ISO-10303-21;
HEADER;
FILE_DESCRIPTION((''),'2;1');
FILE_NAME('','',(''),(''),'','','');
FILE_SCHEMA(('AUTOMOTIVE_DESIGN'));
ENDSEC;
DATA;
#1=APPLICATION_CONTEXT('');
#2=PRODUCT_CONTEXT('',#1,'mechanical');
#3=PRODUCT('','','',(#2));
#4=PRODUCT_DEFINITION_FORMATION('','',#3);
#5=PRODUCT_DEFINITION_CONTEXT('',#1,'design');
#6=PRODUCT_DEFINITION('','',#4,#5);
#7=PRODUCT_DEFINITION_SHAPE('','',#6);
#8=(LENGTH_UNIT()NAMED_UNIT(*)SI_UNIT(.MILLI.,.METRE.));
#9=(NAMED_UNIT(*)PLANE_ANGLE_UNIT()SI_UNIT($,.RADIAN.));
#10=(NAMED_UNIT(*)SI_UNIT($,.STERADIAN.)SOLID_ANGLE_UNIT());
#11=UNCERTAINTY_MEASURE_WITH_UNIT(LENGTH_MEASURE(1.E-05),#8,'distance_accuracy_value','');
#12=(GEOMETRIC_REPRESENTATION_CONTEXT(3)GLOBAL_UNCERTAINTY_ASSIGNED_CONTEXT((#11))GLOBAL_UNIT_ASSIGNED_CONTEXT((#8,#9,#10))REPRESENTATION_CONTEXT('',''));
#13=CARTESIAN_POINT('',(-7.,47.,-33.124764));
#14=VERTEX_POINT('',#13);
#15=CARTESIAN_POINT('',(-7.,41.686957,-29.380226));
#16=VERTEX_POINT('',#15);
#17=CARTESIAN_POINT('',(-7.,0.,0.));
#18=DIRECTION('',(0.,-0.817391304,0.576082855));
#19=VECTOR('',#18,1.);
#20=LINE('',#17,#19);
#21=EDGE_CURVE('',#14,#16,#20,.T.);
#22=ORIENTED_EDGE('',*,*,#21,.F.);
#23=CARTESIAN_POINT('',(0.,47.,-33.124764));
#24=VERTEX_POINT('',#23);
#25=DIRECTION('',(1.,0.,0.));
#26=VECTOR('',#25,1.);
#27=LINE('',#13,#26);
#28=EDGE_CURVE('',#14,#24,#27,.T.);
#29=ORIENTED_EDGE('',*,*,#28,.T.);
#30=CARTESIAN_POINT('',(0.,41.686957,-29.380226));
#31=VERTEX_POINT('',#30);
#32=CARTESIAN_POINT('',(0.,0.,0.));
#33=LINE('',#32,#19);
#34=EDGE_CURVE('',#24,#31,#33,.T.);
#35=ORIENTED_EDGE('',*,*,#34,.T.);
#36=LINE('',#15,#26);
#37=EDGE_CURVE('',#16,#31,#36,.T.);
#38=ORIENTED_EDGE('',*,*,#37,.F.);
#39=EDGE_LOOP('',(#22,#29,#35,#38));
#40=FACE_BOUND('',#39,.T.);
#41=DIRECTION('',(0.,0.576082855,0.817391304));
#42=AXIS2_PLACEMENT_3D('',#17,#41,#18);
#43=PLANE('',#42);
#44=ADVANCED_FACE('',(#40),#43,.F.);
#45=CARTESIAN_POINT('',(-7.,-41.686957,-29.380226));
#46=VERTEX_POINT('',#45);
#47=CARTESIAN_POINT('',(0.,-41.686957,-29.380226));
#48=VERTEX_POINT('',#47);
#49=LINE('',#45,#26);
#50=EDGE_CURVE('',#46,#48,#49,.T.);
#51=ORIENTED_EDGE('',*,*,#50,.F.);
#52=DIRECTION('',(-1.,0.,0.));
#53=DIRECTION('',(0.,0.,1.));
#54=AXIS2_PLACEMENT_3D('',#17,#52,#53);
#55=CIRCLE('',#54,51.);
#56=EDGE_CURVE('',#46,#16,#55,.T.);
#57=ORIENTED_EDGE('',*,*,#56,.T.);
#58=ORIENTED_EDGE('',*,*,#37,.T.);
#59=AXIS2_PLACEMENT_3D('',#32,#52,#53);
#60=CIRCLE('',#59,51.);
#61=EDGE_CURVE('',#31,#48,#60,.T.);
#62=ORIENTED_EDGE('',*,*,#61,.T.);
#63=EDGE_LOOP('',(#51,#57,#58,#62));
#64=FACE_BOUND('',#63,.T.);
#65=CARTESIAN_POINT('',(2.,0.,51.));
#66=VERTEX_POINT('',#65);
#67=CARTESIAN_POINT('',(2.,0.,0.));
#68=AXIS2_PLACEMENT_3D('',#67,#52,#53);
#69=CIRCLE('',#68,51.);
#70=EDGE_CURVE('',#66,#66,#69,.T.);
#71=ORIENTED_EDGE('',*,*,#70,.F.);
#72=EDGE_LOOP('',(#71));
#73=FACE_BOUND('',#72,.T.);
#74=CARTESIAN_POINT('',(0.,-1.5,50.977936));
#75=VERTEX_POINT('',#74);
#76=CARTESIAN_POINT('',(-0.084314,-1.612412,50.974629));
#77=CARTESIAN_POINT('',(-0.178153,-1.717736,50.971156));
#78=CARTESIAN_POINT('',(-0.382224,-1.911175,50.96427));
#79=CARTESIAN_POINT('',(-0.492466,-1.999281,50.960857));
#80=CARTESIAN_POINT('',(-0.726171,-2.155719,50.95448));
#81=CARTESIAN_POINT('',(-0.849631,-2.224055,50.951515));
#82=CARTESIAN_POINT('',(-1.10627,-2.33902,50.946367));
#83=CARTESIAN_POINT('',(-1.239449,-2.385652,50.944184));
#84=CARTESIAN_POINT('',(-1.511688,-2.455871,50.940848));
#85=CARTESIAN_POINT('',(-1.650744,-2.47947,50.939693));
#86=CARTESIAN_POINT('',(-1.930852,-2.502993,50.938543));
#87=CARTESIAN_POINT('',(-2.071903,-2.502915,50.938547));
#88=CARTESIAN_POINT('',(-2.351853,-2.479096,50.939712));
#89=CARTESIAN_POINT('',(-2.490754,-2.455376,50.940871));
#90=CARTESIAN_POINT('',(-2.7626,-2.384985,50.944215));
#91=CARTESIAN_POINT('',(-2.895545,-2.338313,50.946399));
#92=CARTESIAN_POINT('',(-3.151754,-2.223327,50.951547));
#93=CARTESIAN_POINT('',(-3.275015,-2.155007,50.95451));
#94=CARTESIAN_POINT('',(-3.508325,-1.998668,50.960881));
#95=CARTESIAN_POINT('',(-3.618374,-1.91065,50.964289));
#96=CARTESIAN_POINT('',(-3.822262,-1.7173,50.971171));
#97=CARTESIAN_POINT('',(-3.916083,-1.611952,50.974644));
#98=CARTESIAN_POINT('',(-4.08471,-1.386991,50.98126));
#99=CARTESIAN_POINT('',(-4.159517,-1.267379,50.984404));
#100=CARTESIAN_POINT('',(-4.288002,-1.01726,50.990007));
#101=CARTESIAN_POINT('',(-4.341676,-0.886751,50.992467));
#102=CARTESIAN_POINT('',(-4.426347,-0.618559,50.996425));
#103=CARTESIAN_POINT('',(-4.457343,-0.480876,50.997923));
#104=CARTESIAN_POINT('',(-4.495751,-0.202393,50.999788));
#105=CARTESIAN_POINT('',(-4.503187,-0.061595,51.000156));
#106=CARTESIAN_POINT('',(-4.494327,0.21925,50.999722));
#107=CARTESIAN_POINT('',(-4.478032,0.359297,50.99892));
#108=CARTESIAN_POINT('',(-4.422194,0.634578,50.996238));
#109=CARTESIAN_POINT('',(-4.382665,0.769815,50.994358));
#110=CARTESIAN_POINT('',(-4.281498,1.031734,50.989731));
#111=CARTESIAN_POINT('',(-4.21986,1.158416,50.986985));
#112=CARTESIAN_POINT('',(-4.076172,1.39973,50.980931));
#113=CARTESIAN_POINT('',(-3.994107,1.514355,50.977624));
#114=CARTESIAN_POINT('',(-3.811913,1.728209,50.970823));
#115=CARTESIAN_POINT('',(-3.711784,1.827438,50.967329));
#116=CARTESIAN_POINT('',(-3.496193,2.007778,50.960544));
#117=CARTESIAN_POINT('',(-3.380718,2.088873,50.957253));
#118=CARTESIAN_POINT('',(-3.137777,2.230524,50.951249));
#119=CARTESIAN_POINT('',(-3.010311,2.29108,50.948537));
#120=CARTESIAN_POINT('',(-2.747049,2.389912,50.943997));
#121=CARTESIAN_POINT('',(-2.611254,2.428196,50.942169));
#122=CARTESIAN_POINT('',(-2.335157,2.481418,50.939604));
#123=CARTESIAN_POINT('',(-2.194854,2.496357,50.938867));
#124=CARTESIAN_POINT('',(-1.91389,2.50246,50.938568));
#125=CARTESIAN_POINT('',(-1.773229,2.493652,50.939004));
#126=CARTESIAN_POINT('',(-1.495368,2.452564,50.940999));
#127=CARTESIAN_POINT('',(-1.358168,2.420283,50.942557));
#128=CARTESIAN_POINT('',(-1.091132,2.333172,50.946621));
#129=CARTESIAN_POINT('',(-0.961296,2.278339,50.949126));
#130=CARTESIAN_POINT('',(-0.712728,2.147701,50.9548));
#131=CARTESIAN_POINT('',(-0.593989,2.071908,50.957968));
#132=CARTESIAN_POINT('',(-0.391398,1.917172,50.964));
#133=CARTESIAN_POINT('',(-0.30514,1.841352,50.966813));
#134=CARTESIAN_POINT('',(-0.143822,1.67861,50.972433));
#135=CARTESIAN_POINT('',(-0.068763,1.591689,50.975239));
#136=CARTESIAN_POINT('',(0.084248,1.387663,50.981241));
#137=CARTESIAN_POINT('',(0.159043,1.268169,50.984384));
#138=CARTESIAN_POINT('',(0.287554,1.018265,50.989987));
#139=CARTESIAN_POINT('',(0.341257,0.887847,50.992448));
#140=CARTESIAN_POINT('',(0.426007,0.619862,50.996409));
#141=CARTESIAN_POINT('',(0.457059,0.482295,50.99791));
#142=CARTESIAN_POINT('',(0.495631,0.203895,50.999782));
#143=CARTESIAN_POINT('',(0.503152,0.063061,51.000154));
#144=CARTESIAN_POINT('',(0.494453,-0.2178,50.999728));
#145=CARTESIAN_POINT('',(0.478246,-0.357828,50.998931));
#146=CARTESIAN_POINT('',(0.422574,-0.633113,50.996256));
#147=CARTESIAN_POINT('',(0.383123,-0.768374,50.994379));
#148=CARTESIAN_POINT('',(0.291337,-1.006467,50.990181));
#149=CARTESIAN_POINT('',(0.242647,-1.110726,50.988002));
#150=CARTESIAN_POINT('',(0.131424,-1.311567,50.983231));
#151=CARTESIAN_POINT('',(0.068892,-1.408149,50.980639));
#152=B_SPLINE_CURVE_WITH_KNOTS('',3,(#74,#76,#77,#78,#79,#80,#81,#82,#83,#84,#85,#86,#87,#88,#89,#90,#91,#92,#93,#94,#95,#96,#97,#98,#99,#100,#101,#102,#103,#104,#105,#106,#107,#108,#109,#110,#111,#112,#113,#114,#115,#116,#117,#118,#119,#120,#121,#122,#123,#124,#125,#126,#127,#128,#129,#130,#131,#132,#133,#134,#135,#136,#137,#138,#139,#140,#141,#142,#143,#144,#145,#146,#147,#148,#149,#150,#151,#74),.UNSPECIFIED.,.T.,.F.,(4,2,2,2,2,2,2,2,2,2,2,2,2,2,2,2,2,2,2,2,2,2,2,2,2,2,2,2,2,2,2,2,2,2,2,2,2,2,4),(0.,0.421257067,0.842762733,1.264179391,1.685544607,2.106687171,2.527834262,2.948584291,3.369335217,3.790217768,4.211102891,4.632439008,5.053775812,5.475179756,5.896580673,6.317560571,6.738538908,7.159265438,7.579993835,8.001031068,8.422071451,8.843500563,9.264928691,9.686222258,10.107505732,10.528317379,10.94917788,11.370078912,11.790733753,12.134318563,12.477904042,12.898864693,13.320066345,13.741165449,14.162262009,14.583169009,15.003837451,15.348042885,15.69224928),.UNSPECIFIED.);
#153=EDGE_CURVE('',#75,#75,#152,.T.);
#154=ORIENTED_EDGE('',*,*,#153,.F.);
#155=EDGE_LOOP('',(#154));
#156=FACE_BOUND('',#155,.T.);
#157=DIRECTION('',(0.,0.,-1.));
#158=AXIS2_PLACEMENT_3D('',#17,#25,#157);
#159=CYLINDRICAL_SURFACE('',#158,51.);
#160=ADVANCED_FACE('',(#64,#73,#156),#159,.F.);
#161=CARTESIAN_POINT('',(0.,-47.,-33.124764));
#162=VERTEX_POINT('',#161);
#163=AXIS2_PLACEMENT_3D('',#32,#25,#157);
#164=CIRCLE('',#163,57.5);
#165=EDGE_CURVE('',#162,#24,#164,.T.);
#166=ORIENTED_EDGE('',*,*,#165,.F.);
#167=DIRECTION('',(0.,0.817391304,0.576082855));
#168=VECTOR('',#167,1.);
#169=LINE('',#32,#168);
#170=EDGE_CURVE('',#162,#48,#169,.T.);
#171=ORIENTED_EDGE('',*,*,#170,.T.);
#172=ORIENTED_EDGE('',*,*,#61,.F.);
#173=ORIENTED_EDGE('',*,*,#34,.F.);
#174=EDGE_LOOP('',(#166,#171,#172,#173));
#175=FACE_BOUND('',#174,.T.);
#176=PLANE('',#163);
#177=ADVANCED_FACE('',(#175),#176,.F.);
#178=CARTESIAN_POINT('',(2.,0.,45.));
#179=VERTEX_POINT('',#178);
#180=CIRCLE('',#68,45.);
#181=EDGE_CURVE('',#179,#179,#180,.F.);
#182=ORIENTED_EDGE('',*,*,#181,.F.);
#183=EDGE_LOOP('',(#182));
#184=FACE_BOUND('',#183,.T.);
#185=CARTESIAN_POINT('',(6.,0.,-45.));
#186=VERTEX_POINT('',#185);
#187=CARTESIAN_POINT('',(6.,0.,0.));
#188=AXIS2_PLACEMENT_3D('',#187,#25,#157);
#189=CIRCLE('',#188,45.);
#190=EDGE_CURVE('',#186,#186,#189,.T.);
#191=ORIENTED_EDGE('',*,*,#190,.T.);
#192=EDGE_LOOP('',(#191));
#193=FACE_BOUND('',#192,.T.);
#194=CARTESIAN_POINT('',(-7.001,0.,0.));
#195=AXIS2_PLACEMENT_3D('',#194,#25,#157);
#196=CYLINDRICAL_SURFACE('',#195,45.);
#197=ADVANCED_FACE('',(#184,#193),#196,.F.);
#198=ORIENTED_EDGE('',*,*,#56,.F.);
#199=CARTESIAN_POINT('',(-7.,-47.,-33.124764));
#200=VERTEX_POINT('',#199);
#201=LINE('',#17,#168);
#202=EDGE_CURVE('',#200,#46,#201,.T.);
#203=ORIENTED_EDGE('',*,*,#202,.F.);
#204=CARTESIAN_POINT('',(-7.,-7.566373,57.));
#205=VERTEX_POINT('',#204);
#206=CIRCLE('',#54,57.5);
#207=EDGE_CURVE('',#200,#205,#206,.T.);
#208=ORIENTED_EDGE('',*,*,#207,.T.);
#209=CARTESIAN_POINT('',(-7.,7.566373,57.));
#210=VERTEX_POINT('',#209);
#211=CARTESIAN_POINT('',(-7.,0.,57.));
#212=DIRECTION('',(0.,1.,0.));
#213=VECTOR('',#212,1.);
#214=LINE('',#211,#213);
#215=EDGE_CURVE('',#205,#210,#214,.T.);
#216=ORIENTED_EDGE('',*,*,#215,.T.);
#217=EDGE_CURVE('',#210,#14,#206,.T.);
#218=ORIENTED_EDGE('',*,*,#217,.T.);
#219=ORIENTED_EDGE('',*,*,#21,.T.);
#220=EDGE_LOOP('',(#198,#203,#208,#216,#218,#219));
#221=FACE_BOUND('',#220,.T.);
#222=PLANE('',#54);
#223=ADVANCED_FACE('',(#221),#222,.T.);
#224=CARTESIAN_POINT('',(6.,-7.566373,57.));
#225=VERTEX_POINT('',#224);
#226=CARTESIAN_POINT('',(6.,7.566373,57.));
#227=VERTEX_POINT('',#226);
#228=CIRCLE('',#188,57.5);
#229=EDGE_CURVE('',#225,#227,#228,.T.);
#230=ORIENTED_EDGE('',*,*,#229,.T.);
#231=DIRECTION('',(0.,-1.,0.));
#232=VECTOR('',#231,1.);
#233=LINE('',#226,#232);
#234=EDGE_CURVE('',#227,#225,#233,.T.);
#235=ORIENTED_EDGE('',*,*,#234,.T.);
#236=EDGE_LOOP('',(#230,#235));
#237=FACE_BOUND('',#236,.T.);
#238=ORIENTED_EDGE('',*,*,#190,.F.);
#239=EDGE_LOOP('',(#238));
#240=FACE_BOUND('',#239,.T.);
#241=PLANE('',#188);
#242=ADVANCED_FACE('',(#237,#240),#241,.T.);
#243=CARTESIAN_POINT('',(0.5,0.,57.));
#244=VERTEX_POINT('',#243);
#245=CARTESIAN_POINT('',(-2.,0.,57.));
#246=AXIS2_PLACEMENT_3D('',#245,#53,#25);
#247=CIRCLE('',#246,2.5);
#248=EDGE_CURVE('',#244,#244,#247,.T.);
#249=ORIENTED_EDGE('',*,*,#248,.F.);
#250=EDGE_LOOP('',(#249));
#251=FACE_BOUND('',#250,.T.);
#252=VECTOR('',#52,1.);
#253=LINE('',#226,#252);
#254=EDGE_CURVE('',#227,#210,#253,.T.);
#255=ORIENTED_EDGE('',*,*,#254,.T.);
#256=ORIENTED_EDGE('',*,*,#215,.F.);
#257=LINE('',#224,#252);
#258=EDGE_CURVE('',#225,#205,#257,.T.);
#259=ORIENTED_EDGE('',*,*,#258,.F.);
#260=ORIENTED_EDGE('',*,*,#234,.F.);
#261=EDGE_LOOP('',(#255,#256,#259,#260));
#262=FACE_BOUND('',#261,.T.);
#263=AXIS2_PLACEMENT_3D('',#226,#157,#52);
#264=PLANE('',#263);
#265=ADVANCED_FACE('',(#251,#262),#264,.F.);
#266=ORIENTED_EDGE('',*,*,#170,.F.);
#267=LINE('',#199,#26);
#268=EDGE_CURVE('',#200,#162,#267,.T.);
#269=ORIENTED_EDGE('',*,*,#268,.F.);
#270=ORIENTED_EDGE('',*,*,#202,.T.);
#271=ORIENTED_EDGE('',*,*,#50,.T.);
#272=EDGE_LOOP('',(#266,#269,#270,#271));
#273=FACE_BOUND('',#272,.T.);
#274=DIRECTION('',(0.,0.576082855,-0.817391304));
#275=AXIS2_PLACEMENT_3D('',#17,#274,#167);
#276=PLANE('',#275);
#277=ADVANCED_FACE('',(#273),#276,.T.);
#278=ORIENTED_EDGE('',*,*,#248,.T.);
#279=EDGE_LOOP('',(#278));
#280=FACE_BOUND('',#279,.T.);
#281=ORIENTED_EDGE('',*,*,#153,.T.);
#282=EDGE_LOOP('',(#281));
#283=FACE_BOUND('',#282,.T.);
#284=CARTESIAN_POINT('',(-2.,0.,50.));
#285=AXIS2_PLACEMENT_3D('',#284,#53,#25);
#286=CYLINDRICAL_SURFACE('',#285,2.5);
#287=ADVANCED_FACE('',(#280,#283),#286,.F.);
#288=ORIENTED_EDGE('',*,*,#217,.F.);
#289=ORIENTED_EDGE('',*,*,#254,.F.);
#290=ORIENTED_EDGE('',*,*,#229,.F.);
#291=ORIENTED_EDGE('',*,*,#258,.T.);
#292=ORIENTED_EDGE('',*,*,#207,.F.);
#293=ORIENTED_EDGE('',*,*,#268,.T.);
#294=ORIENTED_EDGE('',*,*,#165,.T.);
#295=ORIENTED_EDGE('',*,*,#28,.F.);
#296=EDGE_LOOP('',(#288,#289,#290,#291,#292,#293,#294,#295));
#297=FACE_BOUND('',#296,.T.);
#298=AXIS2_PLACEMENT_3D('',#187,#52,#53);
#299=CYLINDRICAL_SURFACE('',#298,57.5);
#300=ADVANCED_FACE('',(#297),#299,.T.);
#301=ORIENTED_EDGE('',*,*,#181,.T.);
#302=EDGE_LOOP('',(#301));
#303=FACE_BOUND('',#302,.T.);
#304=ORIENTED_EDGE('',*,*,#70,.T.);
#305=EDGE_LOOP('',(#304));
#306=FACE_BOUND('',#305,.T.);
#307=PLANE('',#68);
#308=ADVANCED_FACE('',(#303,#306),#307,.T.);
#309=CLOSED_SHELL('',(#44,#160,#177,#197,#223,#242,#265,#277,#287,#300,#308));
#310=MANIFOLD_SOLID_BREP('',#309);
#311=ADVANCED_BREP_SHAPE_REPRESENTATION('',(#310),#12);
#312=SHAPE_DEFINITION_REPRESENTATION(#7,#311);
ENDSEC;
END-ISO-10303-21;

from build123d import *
from build123d.topology import SkipClean

# Parameters (mm, degrees)
BOSS_EXTRUDE1_DEPTH = 6
BOSS_EXTRUDE2_START = 7
BOSS_EXTRUDE2_DEPTH = 7
SKETCH3_R           = 2.5
CUT_EXTRUDE1_DEPTH  = 7
CUT_EXTRUDE2_REACH  = 84.35
SKETCH5_R           = 51
CUT_EXTRUDE3_DEPTH  = 2


with BuildPart() as part:
    # Sketch1 → Boss-Extrude1 (new body)
    with BuildSketch(Plane(origin=(0, 0, 0), x_dir=(0, 0, -1), z_dir=(1, 0, 0))):
        with BuildLine():
            Line((-57, 7.566372975), (-57, -7.566372975))
            ThreePointArc((-57, -7.566372975), (57.5, 0), (-57, 7.566372975))
        make_face()
    extrude(amount=BOSS_EXTRUDE1_DEPTH)

    # Sketch2 → Boss-Extrude2 (add)
    with SkipClean():  # the faces are left unmerged after this step: merging them gives an invalid solid
        with BuildSketch(Plane.ZY.offset(BOSS_EXTRUDE2_START)):
            with BuildLine():
                Line((-29.380225594, -41.686956522), (-33.12476415, -47))
                ThreePointArc((-33.12476415, -47), (23.049066289, -52.678179004), (57, -7.566372975))
                Line((57, -7.566372975), (57, 7.566372975))
                ThreePointArc((57, 7.566372975), (23.049066289, 52.678179004), (-33.12476415, 47))
                Line((-33.12476415, 47), (-29.380225594, 41.686956522))
                ThreePointArc((-29.380225594, 41.686956522), (20.443519665, 46.723254421), (50.556521739, 6.711043856))
                ThreePointArc((50.556521739, 6.711043856), (50.889009662, 3.362840414), (51, 0))
                ThreePointArc((51, 0), (50.889009662, -3.362840414), (50.556521739, -6.711043856))
                ThreePointArc((50.556521739, -6.711043856), (20.443519665, -46.723254421), (-29.380225594, -41.686956522))
            make_face()
        extrude(amount=-BOSS_EXTRUDE2_DEPTH)

    # Sketch3 → Cut-Extrude1 (cut)
    with SkipClean():  # the faces are left unmerged after this step: merging them gives an invalid solid
        with BuildSketch(Plane.XY.offset(57)):
            with Locations((-2, 0)):
                Circle(SKETCH3_R)
        extrude(amount=-CUT_EXTRUDE1_DEPTH, mode=Mode.SUBTRACT)

    # Sketch4 → Cut-Extrude2 (cut, up to next)
    with BuildSketch(Plane(origin=(6, 0, 0), x_dir=(0, 0, -1), z_dir=(1, 0, 0)), mode=Mode.PRIVATE) as cut_extrude2_sk1:
        with BuildLine():
            ThreePointArc((-44.60706125, -5.933808779), (44.999999572, 0.006203806), (-44.608695652, 5.921509285))
            ThreePointArc((-44.608695652, 5.921509285), (-45, 0), (-44.608695652, -5.921509285))
            ThreePointArc((-44.608695652, -5.921509285), (-44.607878875, -5.927659088), (-44.60706125, -5.933808779))
        make_face()
    cut_extrude2_tool1 = extrude(cut_extrude2_sk1.sketch, amount=-CUT_EXTRUDE2_REACH, mode=Mode.PRIVATE) & part.part
    add(cut_extrude2_tool1.solids().sort_by_distance((6, 0, 0))[0], mode=Mode.SUBTRACT)

    # Sketch5 → Cut-Extrude3 (cut)
    with SkipClean():  # the faces are left unmerged after this step: merging them gives an invalid solid
        with BuildSketch(Plane.ZY):
            with Locations(Location((0, 0, 0), (0, 0, 234.824499503))):
                Circle(SKETCH5_R)
        extrude(amount=-CUT_EXTRUDE3_DEPTH, mode=Mode.SUBTRACT)


solid = part.part
